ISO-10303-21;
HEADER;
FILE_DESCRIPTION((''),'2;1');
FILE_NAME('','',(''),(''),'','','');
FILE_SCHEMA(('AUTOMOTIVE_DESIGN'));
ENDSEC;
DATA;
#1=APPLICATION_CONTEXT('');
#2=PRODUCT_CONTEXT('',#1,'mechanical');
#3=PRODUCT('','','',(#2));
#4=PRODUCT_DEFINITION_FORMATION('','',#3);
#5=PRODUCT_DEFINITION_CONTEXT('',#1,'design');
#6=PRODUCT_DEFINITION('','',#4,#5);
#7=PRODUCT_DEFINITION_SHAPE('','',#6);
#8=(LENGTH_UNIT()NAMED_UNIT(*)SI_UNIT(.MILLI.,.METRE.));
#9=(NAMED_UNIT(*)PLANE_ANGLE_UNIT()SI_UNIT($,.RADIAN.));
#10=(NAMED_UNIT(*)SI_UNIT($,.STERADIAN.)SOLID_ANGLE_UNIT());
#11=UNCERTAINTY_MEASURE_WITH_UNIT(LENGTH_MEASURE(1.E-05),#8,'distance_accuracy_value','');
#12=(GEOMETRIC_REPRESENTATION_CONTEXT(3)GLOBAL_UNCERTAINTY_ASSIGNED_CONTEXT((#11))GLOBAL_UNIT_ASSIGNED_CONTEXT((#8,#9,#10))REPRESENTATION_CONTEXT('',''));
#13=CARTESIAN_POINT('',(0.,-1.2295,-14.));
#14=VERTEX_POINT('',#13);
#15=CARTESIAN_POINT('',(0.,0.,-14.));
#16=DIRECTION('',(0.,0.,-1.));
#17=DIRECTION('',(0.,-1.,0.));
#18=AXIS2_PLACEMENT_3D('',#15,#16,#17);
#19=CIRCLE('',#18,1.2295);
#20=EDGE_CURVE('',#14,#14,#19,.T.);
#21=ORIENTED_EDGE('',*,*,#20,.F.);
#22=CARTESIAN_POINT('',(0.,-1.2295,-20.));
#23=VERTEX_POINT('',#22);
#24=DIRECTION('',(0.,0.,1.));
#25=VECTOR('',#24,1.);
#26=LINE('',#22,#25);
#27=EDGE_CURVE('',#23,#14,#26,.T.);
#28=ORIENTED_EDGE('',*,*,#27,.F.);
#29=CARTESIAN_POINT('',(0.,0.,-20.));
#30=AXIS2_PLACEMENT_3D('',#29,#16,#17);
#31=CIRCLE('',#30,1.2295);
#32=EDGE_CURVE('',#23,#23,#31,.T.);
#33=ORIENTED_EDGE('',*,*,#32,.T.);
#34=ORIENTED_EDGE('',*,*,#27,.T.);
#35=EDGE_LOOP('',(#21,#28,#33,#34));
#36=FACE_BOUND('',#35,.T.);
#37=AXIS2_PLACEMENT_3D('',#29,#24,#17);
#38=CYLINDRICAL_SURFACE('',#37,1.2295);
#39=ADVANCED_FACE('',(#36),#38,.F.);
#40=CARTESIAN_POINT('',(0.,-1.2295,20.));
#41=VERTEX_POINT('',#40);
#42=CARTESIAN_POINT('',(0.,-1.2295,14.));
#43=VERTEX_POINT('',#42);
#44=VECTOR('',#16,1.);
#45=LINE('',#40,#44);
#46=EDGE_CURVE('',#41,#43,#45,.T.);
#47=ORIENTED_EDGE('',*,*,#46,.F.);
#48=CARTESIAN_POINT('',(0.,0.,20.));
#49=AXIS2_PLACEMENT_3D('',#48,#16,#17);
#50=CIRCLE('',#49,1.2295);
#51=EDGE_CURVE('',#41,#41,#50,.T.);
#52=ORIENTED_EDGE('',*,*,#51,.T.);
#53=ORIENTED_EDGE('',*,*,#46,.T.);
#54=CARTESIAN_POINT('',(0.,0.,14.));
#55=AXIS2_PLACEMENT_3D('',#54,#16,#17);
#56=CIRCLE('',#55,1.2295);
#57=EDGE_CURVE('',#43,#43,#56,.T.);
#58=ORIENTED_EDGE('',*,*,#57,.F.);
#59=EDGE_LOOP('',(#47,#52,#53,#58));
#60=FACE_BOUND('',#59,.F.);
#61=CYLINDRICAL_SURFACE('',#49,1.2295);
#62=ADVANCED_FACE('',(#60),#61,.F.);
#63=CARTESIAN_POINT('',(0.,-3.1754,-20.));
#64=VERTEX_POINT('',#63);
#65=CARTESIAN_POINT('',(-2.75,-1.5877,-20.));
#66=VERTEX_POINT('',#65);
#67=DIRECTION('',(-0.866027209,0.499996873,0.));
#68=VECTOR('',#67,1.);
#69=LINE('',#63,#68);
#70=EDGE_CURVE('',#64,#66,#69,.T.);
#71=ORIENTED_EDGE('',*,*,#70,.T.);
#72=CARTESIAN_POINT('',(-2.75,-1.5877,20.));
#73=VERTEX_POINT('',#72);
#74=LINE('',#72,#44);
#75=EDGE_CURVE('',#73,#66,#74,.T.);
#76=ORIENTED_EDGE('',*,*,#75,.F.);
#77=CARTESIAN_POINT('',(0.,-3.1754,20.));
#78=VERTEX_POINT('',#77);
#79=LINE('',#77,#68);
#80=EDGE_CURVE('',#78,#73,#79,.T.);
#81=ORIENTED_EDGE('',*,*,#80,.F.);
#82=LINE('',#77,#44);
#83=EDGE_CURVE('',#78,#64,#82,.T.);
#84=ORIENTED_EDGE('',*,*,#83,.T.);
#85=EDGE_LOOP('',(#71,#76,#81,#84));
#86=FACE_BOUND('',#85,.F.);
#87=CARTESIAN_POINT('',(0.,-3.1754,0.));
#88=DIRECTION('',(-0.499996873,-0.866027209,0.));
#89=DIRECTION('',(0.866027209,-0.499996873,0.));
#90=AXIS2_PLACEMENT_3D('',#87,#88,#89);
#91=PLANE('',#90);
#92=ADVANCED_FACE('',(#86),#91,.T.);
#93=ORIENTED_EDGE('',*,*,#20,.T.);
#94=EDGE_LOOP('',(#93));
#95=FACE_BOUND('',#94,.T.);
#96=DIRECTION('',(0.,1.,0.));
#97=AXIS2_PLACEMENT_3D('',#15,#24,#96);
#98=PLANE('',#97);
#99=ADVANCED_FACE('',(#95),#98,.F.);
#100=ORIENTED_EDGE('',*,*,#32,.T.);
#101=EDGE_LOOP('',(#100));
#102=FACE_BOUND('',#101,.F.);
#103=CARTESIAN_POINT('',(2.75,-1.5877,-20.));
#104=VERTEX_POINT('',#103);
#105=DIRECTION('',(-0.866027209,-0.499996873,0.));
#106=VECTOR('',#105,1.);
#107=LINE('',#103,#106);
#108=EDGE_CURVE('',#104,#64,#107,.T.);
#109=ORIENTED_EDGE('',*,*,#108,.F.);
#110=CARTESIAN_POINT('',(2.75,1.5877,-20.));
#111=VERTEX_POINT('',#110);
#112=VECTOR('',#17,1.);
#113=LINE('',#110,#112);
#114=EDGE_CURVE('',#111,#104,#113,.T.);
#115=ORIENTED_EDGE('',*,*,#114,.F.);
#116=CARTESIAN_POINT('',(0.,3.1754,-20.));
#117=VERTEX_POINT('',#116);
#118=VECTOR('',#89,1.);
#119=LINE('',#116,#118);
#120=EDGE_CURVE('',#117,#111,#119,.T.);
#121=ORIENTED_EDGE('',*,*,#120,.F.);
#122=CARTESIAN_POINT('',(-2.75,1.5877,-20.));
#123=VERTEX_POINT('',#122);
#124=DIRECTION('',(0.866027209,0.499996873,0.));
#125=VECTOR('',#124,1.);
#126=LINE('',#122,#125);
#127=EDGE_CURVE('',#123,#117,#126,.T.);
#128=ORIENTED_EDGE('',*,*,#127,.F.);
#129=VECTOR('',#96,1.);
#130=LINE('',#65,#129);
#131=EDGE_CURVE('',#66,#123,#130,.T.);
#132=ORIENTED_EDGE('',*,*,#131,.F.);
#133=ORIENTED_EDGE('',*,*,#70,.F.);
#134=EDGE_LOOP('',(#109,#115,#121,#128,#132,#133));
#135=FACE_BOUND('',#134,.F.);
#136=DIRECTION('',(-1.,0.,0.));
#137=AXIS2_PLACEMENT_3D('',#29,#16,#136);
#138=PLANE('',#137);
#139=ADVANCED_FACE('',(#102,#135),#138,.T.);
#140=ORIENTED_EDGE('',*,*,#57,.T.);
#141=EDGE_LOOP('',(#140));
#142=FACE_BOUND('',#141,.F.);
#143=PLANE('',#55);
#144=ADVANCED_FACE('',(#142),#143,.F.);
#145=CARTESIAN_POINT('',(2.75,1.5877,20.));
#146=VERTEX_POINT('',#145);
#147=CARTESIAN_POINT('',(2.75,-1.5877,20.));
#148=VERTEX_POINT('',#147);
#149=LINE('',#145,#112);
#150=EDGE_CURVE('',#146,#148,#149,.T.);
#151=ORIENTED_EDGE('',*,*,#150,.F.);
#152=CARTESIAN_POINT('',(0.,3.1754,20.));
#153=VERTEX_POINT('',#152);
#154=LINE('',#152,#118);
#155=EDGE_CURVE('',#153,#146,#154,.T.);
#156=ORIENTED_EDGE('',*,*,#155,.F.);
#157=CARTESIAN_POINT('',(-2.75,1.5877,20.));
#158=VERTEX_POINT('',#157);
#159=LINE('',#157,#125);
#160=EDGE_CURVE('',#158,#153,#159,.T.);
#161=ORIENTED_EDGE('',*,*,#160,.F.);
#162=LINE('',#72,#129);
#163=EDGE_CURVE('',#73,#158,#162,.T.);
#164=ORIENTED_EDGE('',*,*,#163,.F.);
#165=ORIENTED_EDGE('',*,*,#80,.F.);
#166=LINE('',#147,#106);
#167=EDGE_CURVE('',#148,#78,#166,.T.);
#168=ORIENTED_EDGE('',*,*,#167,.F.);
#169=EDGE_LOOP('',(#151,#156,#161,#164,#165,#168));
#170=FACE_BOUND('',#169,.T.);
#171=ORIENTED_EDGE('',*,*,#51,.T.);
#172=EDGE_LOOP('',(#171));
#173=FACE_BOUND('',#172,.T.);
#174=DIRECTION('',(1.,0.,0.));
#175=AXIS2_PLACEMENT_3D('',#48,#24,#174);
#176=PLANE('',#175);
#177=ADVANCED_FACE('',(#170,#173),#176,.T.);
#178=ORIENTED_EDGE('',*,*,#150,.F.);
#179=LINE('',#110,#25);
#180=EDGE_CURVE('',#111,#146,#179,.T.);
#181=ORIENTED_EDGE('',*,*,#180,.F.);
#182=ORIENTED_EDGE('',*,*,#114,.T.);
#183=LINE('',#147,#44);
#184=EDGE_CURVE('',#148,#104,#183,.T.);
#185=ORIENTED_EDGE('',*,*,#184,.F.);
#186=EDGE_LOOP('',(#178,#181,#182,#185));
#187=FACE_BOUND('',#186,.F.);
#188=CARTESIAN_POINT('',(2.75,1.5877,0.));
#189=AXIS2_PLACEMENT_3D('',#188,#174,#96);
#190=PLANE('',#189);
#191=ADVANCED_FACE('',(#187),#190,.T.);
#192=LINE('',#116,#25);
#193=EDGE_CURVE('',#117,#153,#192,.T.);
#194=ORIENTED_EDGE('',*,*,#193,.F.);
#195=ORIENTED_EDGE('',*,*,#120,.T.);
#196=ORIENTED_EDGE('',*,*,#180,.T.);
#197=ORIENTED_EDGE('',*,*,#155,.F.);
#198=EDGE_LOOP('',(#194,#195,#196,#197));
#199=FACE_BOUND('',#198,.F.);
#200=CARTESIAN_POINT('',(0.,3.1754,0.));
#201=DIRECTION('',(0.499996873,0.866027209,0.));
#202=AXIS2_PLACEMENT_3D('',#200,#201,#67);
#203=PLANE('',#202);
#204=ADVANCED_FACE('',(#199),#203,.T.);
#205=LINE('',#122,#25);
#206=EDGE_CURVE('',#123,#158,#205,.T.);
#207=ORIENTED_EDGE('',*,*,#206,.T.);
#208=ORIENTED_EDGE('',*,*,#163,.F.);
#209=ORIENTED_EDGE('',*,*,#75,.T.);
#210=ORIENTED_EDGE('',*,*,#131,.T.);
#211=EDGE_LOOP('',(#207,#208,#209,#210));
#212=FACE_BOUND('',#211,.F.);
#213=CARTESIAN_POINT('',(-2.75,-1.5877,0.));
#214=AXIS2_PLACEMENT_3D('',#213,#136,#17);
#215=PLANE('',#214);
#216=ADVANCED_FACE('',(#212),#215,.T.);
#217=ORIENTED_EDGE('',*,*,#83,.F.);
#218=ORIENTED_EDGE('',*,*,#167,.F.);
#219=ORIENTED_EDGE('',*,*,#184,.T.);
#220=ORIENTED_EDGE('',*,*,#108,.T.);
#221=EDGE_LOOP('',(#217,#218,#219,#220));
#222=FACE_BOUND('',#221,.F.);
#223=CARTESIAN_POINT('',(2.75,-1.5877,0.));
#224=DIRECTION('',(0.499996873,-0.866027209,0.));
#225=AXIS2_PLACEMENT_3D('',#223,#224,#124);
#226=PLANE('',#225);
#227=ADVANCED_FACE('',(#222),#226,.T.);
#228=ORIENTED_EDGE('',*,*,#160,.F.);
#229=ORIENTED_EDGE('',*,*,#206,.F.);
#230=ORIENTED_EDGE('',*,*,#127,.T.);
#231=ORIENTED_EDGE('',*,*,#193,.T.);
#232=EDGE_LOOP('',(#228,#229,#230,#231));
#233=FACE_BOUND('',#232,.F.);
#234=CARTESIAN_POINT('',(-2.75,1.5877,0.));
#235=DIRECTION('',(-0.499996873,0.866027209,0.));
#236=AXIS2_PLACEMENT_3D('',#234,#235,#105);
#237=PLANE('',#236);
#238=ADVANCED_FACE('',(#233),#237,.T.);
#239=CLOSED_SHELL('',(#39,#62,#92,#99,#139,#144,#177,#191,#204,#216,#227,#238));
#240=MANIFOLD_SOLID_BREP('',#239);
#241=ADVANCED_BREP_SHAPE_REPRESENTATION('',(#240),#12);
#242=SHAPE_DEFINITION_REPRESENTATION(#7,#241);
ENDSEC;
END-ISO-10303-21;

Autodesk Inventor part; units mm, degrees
ref_plane "YZ Plane" through (0, 0, 0) normal (1, 0, 0) x (0, 1, 0)
ref_plane "XZ Plane" through (0, 0, 0) normal (0, 1, 0) x (-1, 0, 0)
ref_plane "XY Plane" through (0, 0, 0) normal (0, 0, 1) x (1, 0, 0)
sketch "スケッチ1" plane through (0, 0, 0) normal (0, 0, 1) x (1, 0, 0)
  line L0 (2.75, 1.5877) -> (2.75, -1.5877)
  line L1 (2.75, -1.5877) -> (0, -3.1754)
  line L2 (0, -3.1754) -> (-2.75, -1.5877)
  line L3 (-2.75, -1.5877) -> (-2.75, 1.5877)
  line L4 (-2.75, 1.5877) -> (0, 3.1754)
  line L5 (0, 3.1754) -> (2.75, 1.5877)
  point P0 (0, 0)
  point P1 (0, 0)
  dimension "d0" = 5.5
extrude "押し出し1" add sketch "スケッチ1" along normal blind 20
sketch "スケッチ2" plane through (0, 0, 20) normal (0, 0, 1) x (1, 0, 0)
  point P0 (0, 0)
  point P1 (0, 0)
hole "穴1" at (0, 0, 20) direction (0, 0, -1) diameter 2.459 depth 6 thread size "M3x0.5" class "6H" standard "ISO Metric profile"
mirror "ミラー1" about plane through (0, 0, 0) normal (0, 0, -1) of "押し出し1", "穴1"
properties part number "ASU-340" material "ステンレス鋼 AISI 304"
